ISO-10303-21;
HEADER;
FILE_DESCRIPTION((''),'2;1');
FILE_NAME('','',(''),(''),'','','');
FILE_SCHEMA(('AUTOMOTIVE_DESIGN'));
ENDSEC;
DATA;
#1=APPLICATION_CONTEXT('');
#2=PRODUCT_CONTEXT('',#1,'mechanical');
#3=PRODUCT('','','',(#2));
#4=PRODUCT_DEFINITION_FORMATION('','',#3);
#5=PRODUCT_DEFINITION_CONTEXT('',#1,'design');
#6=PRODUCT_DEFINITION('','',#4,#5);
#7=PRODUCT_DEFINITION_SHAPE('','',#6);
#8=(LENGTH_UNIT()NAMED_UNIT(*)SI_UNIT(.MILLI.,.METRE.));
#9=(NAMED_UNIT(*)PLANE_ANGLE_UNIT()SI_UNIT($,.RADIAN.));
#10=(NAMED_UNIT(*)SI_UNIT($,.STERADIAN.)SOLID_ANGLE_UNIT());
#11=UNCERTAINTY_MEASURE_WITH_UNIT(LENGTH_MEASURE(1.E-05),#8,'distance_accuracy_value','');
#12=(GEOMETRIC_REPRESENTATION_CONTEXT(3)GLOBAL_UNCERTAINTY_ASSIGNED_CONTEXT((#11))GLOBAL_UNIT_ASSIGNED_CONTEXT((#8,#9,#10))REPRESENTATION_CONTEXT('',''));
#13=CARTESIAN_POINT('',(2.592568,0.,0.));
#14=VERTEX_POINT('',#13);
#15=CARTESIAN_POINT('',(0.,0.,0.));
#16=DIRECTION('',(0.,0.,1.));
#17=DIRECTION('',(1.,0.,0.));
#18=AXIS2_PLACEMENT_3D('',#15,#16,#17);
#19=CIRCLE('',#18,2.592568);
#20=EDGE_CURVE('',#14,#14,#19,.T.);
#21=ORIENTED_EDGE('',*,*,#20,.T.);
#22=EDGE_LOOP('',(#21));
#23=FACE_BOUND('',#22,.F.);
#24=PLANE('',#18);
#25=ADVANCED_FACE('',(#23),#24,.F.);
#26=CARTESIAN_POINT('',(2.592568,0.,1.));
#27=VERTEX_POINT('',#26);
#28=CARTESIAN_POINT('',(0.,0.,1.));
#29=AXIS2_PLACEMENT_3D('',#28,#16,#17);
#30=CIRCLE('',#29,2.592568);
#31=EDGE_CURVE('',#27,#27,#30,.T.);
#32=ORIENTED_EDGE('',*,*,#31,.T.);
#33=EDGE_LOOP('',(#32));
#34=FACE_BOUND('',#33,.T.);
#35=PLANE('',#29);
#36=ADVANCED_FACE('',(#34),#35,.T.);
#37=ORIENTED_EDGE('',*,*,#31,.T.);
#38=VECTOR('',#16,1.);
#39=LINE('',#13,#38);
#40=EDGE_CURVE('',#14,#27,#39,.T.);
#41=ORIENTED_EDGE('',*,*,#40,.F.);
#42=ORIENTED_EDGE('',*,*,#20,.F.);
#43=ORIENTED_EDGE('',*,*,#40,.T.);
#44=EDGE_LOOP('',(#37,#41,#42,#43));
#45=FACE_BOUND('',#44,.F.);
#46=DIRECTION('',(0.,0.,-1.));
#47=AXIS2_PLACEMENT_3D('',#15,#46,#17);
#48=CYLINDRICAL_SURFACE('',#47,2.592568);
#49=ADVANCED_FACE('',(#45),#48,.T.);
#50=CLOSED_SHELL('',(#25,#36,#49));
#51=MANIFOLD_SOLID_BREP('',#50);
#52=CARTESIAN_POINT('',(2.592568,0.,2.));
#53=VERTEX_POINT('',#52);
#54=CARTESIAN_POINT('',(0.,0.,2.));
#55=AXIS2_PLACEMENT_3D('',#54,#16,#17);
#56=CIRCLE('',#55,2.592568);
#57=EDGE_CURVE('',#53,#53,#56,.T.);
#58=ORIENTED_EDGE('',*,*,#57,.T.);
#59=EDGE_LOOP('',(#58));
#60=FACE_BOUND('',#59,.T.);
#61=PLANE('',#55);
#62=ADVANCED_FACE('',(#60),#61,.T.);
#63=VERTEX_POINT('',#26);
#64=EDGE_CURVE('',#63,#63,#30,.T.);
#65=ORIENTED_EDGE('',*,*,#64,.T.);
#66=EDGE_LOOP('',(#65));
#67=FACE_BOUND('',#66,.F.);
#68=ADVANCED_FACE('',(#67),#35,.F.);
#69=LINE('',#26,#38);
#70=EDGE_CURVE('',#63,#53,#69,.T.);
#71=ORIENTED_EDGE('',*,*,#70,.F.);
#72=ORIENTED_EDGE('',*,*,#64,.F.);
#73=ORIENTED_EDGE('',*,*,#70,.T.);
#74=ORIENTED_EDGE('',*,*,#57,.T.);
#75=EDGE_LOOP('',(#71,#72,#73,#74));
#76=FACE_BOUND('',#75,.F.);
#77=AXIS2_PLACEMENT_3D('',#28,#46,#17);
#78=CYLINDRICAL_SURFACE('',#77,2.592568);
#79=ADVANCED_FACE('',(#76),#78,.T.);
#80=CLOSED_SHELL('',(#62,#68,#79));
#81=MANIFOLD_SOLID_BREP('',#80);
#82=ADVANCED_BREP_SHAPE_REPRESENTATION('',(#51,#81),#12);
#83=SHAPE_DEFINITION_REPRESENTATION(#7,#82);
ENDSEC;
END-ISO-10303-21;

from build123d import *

# Parameters (mm, degrees)
F0_R      = 2.592568
F1_DEPTH  = 1
F1_FACE_R = 2.592568
F2_DEPTH  = 1


with BuildPart() as f1:
    # F0 (on Top) → F1 (new body)
    with BuildSketch(Plane.XY):
        Circle(F0_R)
    extrude(amount=F1_DEPTH)


with BuildPart() as f2:
    # F1_face (on face) → F2 (new body)
    with BuildSketch(Plane.XY.offset(1)):
        Circle(F1_FACE_R)
    extrude(amount=F2_DEPTH)


solid = Compound([f1.part, f2.part])
